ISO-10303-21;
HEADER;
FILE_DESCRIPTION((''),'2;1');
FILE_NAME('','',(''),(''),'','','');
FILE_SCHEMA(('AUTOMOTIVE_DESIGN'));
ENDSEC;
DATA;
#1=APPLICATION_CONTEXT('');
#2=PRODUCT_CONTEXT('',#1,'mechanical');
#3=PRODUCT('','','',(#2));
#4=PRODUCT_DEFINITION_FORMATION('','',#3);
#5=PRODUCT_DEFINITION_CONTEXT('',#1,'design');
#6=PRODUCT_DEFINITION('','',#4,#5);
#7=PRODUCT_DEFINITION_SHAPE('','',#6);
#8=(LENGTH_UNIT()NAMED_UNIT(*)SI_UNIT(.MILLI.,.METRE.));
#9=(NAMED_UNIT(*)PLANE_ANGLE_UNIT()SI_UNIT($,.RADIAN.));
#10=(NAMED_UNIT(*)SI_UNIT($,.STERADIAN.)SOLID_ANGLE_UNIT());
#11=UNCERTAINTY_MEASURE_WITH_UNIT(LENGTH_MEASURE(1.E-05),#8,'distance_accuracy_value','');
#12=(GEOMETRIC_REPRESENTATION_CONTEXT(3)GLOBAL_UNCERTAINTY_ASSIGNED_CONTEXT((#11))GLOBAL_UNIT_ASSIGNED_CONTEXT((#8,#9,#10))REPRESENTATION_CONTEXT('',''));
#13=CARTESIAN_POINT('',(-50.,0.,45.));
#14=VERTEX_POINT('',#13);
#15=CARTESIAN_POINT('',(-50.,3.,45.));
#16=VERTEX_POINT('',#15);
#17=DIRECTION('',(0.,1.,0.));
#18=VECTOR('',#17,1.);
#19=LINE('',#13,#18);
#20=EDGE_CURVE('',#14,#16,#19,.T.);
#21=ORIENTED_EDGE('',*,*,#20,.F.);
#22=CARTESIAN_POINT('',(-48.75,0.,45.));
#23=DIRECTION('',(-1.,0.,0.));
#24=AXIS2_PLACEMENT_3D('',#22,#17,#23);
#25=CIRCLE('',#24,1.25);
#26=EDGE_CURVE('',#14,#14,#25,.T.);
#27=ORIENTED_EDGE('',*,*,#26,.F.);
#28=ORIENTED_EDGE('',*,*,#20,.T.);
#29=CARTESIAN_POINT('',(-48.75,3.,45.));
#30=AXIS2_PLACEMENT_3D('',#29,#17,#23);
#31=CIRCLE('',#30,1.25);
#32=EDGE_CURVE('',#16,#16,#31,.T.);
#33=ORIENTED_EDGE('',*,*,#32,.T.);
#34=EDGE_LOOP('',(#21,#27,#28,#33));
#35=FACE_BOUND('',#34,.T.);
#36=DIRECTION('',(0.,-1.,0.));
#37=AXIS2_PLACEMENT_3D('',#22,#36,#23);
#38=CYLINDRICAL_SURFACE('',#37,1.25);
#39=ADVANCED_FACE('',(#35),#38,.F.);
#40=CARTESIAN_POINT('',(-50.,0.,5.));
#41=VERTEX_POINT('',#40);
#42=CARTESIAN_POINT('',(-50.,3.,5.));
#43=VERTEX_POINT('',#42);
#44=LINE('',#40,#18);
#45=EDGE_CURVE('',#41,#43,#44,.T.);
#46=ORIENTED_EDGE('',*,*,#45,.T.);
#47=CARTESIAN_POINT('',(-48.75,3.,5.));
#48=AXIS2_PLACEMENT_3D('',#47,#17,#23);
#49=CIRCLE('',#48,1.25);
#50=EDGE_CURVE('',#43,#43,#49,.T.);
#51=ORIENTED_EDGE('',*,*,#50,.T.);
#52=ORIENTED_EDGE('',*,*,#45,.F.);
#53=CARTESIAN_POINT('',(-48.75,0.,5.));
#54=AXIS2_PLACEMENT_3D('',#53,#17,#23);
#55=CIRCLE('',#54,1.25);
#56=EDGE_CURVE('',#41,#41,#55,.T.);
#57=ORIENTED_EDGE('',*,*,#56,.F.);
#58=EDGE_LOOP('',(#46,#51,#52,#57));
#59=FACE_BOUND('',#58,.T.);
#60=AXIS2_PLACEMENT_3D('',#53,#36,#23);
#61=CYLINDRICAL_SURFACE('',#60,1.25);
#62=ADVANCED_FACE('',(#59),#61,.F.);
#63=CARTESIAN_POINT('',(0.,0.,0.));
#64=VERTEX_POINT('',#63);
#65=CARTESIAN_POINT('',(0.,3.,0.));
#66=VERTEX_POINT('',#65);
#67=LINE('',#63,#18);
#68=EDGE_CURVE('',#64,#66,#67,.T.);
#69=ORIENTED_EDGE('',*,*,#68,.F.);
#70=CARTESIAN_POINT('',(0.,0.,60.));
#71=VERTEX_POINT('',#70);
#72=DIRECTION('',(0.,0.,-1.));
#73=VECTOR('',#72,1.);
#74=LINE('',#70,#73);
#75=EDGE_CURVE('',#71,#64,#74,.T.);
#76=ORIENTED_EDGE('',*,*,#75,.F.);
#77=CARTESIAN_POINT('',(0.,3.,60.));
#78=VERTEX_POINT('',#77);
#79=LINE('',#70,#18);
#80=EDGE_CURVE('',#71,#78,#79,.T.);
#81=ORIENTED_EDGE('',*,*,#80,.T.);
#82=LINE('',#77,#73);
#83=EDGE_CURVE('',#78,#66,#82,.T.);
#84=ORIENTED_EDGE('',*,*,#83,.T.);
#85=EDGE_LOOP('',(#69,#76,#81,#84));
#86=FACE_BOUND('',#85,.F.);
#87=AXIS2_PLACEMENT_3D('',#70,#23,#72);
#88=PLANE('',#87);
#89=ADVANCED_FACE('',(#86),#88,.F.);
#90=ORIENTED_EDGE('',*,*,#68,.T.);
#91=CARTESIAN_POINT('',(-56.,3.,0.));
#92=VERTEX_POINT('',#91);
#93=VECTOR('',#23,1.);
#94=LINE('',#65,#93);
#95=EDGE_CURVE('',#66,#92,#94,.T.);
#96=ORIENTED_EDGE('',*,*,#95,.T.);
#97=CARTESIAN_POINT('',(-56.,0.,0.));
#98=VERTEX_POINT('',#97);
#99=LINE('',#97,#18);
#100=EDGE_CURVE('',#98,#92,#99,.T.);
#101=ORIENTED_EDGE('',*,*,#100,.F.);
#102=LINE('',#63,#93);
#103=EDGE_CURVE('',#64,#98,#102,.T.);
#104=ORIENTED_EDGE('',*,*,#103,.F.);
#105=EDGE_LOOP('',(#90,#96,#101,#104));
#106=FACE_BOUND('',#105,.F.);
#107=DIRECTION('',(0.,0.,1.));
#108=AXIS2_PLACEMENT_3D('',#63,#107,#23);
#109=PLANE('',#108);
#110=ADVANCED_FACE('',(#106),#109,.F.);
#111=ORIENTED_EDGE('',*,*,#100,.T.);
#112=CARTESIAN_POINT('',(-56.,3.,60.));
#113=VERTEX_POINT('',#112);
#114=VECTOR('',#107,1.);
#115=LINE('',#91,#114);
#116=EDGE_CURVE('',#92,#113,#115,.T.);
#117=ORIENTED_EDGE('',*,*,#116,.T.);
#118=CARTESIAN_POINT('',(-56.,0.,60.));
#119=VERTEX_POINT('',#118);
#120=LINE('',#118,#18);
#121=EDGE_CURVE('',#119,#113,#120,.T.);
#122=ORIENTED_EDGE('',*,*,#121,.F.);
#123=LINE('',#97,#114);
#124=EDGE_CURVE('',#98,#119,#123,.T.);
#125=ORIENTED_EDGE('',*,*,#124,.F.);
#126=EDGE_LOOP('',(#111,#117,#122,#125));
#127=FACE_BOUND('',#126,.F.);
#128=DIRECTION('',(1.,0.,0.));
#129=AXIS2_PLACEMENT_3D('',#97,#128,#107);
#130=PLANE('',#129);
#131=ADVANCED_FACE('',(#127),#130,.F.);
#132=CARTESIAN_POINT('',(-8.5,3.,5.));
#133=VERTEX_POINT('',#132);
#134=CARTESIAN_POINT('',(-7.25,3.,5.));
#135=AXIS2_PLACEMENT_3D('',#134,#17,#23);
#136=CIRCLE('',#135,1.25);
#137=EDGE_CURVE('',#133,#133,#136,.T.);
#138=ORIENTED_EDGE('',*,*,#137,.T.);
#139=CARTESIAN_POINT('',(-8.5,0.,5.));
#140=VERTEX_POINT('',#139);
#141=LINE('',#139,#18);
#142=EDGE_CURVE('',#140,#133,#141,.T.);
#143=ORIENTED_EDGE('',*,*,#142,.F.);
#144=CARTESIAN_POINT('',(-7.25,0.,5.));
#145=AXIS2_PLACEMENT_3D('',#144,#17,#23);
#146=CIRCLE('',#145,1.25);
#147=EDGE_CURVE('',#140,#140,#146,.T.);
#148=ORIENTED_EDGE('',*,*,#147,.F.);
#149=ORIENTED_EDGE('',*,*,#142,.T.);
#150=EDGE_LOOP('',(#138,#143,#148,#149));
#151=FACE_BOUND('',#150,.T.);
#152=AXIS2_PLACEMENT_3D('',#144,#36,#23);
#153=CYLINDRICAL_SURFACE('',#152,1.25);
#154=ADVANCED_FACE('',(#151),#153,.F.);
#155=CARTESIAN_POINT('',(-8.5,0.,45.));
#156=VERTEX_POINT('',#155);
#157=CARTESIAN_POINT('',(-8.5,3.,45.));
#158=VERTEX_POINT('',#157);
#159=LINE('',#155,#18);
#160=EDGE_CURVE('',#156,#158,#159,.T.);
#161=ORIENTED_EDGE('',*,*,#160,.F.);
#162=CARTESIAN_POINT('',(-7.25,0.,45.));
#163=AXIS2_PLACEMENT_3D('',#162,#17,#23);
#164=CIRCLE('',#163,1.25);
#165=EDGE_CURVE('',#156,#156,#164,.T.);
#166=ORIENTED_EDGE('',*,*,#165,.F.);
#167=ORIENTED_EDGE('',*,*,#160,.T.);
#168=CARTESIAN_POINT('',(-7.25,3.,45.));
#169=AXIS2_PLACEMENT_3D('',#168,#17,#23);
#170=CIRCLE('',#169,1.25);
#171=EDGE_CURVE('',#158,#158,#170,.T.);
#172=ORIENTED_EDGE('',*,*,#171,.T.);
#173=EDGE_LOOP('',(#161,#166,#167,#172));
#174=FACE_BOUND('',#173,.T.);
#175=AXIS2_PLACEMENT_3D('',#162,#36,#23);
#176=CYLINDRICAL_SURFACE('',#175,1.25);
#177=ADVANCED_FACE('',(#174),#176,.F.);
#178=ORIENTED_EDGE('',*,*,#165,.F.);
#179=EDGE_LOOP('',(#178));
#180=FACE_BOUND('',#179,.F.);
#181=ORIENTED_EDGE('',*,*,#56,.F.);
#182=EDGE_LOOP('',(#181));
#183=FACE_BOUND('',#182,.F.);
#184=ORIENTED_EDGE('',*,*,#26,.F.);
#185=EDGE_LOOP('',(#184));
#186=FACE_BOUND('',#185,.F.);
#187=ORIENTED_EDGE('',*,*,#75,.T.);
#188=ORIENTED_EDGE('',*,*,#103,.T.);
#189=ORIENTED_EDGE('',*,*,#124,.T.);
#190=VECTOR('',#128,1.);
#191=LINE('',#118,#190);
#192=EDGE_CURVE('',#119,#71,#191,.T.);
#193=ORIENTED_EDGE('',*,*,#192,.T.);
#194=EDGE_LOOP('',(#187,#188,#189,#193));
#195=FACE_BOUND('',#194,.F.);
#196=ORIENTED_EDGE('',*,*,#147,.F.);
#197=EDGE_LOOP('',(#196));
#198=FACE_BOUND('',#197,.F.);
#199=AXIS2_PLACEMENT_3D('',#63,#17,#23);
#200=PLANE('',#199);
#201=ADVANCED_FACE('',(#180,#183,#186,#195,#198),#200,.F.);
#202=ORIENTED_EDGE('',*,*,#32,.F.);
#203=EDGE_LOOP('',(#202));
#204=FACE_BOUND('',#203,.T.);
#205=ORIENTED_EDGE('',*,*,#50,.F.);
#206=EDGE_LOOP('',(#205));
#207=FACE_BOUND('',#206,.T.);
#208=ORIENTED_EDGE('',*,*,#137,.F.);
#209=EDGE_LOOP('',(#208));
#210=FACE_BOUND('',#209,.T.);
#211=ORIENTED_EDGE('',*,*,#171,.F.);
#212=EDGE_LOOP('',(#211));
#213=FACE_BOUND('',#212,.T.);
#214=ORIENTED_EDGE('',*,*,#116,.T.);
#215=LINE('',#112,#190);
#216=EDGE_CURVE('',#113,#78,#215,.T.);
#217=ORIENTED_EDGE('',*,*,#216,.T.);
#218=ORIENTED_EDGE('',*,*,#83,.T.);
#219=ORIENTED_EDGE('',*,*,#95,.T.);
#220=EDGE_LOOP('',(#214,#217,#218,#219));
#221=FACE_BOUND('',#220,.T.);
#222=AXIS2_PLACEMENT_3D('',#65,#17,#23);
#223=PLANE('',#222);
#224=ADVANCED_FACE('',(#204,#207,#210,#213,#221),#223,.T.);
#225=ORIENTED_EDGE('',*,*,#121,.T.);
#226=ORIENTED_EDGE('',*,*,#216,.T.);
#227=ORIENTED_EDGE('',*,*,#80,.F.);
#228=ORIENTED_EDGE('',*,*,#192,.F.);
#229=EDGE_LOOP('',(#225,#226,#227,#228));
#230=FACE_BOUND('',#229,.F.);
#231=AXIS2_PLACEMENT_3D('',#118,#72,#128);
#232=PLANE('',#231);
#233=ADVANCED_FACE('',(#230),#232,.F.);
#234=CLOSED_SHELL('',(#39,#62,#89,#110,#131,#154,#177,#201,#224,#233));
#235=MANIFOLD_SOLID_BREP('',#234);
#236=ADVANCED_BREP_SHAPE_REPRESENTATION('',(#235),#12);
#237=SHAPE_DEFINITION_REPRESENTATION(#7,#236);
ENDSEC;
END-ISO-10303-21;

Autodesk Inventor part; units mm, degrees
ref_plane "YZ Plane" through (0, 0, 0) normal (1, 0, 0) x (0, 1, 0)
ref_plane "XZ Plane" through (0, 0, 0) normal (0, 1, 0) x (-1, 0, 0)
ref_plane "XY Plane" through (0, 0, 0) normal (0, 0, 1) x (1, 0, 0)
sketch "Sketch1" plane through (0, 0, 0) normal (0, 1, 0) x (-1, 0, 0)
  line L0 (0, 0) -> (56, 0)
  line L1 (56, 0) -> (56, 60)
  line L2 (56, 60) -> (0, 60)
  line L3 (0, 60) -> (0, 0)
  circle A0 centre (7.25, 5) radius 1.25
  circle A1 centre (7.25, 45) radius 1.25
  line L4 (28, 60) -> (28, 0) construction
  circle A2 centre (48.75, 5) radius 1.25
  circle A3 centre (48.75, 45) radius 1.25
  dimension "d0" = 56
  dimension "d1" = 60
  dimension "d4" = 2.5
  dimension "d5" = 7.25
  dimension "d6" = 5
  dimension "d7" = 2.5
  dimension "d8" = 7.25
  dimension "d9" = 40
extrude "Extrusion1" add sketch "Sketch1" along normal blind 3
properties part number "wall-front-outer-scaled"
